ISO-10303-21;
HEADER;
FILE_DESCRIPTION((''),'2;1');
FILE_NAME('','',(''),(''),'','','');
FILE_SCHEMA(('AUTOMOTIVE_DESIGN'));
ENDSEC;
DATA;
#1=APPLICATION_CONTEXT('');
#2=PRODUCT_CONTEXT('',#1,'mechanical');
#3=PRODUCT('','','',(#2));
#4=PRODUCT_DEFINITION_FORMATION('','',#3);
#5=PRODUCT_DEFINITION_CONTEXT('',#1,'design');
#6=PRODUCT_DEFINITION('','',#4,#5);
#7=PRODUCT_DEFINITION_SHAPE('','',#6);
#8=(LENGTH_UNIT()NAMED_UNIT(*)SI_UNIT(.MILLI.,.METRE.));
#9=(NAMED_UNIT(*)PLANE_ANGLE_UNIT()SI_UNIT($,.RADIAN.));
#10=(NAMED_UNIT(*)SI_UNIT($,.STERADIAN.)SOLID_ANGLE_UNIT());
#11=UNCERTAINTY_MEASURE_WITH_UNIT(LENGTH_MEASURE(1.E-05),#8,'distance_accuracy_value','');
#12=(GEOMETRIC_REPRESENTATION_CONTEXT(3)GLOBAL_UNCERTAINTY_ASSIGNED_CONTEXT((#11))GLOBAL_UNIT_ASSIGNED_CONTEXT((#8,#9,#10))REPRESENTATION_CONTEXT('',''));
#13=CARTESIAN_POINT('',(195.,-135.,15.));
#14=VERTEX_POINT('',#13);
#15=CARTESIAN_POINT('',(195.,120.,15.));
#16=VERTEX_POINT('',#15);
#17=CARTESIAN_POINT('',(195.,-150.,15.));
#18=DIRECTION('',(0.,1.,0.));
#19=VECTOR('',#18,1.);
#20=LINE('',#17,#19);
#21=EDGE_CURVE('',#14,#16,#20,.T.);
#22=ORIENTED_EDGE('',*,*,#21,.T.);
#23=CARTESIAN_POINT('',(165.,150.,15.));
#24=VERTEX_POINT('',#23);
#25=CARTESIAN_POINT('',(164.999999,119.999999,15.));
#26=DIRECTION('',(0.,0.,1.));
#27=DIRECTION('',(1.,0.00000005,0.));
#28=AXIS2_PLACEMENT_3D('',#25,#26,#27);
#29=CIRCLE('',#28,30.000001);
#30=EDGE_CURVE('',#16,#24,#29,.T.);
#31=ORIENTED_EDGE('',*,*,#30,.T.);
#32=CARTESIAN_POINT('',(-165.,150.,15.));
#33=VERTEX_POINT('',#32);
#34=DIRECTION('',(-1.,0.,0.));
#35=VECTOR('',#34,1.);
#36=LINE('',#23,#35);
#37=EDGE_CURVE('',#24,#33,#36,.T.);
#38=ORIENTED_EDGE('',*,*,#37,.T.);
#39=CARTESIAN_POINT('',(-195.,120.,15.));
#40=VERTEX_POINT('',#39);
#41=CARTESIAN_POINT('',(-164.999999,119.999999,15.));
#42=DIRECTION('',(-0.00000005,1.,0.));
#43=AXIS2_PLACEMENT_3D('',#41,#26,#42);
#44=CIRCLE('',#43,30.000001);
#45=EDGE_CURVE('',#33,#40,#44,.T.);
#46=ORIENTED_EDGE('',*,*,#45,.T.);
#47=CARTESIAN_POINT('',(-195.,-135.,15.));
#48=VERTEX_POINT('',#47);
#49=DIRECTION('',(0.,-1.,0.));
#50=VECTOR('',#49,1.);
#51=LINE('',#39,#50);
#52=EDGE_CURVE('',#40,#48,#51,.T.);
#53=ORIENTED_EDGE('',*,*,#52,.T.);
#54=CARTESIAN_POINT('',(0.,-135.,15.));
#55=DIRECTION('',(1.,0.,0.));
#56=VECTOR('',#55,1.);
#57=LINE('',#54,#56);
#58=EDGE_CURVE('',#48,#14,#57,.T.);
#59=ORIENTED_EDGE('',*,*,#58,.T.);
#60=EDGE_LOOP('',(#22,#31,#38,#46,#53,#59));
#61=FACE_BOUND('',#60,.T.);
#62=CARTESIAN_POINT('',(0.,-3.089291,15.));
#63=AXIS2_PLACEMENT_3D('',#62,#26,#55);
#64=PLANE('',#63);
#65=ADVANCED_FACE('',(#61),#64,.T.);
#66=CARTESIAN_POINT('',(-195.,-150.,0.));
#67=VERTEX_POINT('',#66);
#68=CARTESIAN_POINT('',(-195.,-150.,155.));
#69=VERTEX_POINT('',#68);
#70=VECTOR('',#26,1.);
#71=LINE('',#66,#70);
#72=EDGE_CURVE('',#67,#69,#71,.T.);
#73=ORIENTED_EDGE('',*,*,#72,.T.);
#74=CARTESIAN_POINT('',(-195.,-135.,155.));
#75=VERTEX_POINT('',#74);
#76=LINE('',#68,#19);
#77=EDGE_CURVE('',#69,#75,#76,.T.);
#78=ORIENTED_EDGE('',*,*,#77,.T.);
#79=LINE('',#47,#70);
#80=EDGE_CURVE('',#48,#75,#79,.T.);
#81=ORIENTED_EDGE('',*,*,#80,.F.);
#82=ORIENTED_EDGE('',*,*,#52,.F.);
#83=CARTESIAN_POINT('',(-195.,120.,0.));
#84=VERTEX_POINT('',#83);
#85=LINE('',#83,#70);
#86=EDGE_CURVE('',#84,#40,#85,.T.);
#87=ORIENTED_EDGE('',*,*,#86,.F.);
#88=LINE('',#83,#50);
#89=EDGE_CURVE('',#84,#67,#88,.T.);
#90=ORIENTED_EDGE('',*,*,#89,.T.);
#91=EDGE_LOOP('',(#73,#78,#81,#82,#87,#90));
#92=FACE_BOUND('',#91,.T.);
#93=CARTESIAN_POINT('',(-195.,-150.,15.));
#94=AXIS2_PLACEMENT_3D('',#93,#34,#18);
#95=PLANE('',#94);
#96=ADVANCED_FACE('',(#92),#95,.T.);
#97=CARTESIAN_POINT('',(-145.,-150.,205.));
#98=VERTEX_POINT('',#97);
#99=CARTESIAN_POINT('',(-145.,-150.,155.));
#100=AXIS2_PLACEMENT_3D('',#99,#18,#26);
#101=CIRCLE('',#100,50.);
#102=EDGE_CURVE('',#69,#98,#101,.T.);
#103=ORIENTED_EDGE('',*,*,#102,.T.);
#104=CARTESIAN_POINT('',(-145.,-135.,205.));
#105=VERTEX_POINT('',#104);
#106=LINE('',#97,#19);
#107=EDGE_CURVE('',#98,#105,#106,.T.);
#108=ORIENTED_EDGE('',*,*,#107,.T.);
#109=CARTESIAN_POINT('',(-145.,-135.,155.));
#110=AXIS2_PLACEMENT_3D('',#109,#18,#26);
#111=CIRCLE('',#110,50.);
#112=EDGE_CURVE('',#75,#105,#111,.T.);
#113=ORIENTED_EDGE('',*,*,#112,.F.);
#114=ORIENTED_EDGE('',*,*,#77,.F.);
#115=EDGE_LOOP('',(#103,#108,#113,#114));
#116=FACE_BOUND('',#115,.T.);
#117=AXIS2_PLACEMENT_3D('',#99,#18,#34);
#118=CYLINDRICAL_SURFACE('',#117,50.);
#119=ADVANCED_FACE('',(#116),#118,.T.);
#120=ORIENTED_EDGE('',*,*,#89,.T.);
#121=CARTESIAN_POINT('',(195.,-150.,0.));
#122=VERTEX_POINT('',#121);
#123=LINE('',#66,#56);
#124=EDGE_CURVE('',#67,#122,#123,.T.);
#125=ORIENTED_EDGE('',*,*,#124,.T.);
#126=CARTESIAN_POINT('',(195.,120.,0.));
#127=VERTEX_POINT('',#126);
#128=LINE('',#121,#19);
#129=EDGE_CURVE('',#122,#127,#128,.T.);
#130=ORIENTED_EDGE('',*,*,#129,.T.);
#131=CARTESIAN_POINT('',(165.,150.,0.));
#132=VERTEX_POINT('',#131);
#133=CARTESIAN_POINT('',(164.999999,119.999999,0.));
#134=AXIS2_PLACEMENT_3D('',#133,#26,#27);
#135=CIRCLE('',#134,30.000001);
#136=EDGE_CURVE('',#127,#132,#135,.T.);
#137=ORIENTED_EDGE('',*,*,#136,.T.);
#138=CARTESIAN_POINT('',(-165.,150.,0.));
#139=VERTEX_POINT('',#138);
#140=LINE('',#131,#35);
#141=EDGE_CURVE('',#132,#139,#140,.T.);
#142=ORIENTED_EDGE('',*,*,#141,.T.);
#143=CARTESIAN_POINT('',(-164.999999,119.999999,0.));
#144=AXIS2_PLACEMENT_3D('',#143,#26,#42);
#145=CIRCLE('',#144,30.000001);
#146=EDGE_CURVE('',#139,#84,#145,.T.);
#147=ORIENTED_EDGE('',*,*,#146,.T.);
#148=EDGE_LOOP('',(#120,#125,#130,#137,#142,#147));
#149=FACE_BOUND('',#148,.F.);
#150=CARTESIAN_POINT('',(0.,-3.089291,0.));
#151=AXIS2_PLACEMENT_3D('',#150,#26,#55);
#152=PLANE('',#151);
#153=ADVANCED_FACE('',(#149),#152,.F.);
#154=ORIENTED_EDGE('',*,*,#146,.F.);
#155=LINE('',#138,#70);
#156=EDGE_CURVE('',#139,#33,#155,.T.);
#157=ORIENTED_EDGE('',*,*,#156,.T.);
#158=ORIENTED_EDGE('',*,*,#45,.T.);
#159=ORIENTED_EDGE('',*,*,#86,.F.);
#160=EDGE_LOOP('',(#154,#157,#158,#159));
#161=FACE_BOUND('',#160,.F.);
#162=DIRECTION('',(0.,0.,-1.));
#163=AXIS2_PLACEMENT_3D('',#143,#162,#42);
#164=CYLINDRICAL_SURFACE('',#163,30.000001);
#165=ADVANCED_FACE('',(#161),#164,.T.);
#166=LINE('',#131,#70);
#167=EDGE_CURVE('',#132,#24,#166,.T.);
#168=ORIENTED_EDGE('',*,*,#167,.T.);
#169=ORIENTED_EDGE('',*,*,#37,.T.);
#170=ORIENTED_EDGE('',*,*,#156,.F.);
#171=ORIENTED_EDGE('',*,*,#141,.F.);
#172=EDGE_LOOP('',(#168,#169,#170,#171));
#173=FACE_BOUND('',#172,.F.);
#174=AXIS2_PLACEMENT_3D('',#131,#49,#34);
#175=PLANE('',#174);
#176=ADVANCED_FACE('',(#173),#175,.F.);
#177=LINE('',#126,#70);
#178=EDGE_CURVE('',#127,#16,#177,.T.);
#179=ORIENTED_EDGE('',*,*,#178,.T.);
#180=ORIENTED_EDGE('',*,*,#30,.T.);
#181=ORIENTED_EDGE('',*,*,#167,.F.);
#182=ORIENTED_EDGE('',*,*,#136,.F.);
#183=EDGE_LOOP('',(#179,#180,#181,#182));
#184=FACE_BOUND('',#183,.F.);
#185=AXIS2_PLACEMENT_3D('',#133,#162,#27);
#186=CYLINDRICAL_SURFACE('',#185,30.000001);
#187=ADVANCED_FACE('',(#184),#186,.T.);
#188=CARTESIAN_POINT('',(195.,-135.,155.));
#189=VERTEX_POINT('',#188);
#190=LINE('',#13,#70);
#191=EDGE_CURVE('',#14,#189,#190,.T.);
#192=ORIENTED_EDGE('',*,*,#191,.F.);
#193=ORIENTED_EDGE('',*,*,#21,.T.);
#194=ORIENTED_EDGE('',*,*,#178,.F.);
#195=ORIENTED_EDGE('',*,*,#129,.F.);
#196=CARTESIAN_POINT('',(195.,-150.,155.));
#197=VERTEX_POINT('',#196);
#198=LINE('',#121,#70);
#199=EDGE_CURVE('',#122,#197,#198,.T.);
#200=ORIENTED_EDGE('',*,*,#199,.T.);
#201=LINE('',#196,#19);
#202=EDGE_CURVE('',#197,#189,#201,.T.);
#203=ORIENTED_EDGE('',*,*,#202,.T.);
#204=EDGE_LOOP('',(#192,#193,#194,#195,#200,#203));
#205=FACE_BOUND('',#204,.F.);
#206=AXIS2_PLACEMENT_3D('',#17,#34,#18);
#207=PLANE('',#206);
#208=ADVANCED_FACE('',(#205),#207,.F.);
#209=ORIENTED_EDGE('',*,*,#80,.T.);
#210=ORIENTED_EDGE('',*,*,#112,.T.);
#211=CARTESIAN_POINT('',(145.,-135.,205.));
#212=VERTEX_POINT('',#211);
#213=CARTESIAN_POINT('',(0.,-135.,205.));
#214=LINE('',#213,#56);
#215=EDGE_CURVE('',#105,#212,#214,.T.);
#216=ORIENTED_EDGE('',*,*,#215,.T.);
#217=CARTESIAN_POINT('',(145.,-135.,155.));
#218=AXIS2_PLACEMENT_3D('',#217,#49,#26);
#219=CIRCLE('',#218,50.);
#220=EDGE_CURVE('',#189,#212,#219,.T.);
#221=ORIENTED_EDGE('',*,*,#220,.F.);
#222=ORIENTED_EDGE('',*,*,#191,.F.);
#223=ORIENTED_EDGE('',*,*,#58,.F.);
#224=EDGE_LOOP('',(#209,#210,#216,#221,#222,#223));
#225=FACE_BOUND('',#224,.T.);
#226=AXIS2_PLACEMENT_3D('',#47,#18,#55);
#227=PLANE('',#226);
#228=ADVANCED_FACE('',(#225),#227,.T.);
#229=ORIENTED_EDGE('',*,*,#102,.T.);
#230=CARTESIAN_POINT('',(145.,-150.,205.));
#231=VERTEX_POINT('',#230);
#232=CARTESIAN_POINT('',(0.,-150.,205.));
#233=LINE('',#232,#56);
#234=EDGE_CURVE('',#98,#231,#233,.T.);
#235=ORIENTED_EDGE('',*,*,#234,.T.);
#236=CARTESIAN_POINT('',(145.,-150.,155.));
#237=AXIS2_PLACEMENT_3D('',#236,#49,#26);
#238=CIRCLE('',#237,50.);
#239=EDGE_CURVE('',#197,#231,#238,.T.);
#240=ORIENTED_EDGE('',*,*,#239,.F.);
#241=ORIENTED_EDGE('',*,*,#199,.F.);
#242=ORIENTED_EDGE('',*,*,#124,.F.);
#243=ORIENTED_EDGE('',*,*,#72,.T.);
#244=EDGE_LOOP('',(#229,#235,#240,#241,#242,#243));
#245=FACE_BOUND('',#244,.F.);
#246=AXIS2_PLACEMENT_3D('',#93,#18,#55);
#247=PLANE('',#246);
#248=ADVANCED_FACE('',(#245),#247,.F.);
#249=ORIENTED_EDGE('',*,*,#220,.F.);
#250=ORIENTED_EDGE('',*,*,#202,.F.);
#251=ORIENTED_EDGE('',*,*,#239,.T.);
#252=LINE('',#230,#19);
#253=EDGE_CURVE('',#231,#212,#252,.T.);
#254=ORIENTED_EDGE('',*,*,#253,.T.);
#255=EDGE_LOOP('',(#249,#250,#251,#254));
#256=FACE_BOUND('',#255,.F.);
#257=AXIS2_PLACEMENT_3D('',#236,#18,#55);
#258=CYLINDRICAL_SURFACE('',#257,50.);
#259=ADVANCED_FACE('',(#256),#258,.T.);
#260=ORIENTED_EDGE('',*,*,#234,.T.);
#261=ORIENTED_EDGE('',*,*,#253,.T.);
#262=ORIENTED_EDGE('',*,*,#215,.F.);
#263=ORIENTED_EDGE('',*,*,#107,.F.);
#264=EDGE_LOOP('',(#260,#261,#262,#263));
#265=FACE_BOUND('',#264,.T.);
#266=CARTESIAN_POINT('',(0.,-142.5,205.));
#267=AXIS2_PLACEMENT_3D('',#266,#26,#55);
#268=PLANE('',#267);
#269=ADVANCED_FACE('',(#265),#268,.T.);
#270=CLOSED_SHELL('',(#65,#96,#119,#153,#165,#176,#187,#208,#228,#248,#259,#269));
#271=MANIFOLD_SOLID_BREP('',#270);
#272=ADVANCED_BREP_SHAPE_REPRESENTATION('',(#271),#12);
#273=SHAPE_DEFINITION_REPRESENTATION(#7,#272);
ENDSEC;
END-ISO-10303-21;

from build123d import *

# Parameters (mm, degrees)
F1_DEPTH = 15
F2_W     = 390
F2_H     = 15
F3_DEPTH = 190
F4_R     = 50


with BuildPart() as f1:
    # F0 (on Top) → F1 (new body)
    with BuildSketch(Plane.XY):
        with BuildLine():
            Line((-195, 120), (-195, -150))
            Line((-195, -150), (195, -150))
            Line((195, -150), (195, 120))
            ThreePointArc((195, 120), (186.213203, 141.213203), (165, 150))
            Line((165, 150), (-165, 150))
            ThreePointArc((-165, 150), (-186.213203, 141.213203), (-195, 120))
        make_face()
    extrude(amount=F1_DEPTH)

    # F2 (on face) → F3 (join)
    with BuildSketch(Plane.XY.offset(15)):
        with Locations((0, -142.5)):
            Rectangle(F2_W, F2_H)
    extrude(amount=F3_DEPTH)

    # F4
    f4_edges = [f1.edges().sort_by_distance(p)[0] for p in [
        (195, -142.5, 205),
        (-195, -142.5, 205),
    ]]
    fillet(f4_edges, radius=F4_R)


solid = f1.part
